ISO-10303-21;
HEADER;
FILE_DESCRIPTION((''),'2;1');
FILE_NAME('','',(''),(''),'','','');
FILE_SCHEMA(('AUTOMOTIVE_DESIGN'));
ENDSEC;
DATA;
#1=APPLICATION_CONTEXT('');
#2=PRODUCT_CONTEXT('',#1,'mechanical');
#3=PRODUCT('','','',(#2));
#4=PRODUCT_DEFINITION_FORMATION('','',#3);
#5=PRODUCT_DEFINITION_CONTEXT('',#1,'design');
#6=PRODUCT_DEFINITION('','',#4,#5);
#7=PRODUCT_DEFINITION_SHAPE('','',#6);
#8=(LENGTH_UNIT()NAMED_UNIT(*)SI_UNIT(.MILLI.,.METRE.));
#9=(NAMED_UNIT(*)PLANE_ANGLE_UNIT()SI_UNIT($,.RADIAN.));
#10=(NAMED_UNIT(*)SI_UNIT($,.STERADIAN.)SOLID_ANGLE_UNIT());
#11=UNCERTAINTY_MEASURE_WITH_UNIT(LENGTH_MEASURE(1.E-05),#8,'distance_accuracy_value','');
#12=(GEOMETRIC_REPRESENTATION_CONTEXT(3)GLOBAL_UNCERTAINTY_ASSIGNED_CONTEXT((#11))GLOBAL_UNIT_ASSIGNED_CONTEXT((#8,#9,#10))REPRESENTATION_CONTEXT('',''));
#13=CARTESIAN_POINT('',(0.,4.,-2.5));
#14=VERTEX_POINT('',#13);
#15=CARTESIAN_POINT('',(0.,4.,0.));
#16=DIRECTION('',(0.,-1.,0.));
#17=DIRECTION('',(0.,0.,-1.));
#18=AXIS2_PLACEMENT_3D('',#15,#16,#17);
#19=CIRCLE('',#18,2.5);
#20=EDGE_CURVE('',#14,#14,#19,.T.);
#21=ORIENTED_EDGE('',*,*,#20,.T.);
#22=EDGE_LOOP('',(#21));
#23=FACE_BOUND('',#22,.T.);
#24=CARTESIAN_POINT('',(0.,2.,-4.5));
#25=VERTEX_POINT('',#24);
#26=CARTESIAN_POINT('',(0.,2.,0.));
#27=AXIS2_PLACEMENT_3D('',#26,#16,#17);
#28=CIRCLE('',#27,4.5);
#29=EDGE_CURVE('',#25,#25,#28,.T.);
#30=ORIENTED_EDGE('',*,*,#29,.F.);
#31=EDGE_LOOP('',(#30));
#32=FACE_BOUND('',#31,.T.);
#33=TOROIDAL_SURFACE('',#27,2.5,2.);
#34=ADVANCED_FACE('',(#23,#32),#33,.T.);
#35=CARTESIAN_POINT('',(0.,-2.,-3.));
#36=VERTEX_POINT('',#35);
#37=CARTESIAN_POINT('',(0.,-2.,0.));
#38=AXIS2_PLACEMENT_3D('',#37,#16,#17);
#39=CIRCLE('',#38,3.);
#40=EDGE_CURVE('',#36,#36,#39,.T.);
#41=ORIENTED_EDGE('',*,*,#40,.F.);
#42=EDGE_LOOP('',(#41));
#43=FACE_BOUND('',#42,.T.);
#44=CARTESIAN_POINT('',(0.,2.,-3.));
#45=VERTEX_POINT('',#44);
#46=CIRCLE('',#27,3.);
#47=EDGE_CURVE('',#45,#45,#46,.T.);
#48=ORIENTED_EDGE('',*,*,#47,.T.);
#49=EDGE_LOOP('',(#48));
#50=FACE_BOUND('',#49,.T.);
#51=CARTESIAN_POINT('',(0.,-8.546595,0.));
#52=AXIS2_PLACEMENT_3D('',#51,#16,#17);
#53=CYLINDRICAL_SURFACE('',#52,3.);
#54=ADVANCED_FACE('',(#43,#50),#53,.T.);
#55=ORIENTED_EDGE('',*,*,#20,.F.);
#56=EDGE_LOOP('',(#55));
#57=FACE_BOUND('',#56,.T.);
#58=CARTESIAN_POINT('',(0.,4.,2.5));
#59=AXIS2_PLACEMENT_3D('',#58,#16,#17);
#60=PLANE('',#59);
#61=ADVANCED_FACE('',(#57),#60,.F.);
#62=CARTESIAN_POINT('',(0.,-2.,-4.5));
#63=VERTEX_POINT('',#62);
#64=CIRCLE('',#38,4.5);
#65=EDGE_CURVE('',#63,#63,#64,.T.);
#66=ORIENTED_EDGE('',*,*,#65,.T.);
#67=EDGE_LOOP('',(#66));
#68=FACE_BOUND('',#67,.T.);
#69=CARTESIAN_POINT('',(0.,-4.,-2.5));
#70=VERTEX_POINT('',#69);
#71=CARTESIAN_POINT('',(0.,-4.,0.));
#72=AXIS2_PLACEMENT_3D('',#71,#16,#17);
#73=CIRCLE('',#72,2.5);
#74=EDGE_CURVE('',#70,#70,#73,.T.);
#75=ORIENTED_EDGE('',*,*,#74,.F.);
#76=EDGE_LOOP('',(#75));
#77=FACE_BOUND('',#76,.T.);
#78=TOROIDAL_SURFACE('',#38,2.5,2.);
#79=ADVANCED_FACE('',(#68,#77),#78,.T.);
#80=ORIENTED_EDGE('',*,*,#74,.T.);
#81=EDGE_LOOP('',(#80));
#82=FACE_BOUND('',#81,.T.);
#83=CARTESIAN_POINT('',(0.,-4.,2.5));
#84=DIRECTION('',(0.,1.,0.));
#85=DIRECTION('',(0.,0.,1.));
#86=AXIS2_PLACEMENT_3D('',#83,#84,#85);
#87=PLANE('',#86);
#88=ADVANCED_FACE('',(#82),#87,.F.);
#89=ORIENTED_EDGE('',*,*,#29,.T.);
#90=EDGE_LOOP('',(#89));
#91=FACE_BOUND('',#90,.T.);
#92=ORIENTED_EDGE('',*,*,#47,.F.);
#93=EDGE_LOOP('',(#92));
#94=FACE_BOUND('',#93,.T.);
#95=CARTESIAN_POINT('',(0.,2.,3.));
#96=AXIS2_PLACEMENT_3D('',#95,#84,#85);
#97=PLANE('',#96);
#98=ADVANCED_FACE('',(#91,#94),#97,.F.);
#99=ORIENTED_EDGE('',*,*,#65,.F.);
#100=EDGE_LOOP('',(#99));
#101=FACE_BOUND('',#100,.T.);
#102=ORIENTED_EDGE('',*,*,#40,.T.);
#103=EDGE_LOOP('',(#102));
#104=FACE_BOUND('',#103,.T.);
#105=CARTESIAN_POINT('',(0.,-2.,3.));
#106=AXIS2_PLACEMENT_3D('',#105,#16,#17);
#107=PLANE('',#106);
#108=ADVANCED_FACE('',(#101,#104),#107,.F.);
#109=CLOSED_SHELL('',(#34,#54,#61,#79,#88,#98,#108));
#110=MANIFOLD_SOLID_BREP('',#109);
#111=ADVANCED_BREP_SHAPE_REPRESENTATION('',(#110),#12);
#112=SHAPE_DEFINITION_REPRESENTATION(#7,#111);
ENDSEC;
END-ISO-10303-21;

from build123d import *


with BuildPart() as part:
    # Sketch2 → Revolve1 (revolve)
    with BuildSketch(Plane.YZ, mode=Mode.PRIVATE) as revolve1_sk:
        with BuildLine():
            Line((-2, 3), (2, 3))
            Line((2, 3), (2, 4.5))
            ThreePointArc((2, 4.5), (3.414213562, 3.914213562), (4, 2.5))
            Line((4, 2.5), (4, 0))
            Line((4, 0), (-4, 0))
            Line((-4, 0), (-4, 2.5))
            ThreePointArc((-4, 2.5), (-3.414213562, 3.914213562), (-2, 4.5))
            Line((-2, 4.5), (-2, 3))
        make_face()
    revolve(revolve1_sk.sketch.rotate(Axis((0, -8.546595011, 0), (0, 1, 0)), 180), axis=Axis((0, -8.546595011, 0), (0, 1, 0)))


solid = part.part
